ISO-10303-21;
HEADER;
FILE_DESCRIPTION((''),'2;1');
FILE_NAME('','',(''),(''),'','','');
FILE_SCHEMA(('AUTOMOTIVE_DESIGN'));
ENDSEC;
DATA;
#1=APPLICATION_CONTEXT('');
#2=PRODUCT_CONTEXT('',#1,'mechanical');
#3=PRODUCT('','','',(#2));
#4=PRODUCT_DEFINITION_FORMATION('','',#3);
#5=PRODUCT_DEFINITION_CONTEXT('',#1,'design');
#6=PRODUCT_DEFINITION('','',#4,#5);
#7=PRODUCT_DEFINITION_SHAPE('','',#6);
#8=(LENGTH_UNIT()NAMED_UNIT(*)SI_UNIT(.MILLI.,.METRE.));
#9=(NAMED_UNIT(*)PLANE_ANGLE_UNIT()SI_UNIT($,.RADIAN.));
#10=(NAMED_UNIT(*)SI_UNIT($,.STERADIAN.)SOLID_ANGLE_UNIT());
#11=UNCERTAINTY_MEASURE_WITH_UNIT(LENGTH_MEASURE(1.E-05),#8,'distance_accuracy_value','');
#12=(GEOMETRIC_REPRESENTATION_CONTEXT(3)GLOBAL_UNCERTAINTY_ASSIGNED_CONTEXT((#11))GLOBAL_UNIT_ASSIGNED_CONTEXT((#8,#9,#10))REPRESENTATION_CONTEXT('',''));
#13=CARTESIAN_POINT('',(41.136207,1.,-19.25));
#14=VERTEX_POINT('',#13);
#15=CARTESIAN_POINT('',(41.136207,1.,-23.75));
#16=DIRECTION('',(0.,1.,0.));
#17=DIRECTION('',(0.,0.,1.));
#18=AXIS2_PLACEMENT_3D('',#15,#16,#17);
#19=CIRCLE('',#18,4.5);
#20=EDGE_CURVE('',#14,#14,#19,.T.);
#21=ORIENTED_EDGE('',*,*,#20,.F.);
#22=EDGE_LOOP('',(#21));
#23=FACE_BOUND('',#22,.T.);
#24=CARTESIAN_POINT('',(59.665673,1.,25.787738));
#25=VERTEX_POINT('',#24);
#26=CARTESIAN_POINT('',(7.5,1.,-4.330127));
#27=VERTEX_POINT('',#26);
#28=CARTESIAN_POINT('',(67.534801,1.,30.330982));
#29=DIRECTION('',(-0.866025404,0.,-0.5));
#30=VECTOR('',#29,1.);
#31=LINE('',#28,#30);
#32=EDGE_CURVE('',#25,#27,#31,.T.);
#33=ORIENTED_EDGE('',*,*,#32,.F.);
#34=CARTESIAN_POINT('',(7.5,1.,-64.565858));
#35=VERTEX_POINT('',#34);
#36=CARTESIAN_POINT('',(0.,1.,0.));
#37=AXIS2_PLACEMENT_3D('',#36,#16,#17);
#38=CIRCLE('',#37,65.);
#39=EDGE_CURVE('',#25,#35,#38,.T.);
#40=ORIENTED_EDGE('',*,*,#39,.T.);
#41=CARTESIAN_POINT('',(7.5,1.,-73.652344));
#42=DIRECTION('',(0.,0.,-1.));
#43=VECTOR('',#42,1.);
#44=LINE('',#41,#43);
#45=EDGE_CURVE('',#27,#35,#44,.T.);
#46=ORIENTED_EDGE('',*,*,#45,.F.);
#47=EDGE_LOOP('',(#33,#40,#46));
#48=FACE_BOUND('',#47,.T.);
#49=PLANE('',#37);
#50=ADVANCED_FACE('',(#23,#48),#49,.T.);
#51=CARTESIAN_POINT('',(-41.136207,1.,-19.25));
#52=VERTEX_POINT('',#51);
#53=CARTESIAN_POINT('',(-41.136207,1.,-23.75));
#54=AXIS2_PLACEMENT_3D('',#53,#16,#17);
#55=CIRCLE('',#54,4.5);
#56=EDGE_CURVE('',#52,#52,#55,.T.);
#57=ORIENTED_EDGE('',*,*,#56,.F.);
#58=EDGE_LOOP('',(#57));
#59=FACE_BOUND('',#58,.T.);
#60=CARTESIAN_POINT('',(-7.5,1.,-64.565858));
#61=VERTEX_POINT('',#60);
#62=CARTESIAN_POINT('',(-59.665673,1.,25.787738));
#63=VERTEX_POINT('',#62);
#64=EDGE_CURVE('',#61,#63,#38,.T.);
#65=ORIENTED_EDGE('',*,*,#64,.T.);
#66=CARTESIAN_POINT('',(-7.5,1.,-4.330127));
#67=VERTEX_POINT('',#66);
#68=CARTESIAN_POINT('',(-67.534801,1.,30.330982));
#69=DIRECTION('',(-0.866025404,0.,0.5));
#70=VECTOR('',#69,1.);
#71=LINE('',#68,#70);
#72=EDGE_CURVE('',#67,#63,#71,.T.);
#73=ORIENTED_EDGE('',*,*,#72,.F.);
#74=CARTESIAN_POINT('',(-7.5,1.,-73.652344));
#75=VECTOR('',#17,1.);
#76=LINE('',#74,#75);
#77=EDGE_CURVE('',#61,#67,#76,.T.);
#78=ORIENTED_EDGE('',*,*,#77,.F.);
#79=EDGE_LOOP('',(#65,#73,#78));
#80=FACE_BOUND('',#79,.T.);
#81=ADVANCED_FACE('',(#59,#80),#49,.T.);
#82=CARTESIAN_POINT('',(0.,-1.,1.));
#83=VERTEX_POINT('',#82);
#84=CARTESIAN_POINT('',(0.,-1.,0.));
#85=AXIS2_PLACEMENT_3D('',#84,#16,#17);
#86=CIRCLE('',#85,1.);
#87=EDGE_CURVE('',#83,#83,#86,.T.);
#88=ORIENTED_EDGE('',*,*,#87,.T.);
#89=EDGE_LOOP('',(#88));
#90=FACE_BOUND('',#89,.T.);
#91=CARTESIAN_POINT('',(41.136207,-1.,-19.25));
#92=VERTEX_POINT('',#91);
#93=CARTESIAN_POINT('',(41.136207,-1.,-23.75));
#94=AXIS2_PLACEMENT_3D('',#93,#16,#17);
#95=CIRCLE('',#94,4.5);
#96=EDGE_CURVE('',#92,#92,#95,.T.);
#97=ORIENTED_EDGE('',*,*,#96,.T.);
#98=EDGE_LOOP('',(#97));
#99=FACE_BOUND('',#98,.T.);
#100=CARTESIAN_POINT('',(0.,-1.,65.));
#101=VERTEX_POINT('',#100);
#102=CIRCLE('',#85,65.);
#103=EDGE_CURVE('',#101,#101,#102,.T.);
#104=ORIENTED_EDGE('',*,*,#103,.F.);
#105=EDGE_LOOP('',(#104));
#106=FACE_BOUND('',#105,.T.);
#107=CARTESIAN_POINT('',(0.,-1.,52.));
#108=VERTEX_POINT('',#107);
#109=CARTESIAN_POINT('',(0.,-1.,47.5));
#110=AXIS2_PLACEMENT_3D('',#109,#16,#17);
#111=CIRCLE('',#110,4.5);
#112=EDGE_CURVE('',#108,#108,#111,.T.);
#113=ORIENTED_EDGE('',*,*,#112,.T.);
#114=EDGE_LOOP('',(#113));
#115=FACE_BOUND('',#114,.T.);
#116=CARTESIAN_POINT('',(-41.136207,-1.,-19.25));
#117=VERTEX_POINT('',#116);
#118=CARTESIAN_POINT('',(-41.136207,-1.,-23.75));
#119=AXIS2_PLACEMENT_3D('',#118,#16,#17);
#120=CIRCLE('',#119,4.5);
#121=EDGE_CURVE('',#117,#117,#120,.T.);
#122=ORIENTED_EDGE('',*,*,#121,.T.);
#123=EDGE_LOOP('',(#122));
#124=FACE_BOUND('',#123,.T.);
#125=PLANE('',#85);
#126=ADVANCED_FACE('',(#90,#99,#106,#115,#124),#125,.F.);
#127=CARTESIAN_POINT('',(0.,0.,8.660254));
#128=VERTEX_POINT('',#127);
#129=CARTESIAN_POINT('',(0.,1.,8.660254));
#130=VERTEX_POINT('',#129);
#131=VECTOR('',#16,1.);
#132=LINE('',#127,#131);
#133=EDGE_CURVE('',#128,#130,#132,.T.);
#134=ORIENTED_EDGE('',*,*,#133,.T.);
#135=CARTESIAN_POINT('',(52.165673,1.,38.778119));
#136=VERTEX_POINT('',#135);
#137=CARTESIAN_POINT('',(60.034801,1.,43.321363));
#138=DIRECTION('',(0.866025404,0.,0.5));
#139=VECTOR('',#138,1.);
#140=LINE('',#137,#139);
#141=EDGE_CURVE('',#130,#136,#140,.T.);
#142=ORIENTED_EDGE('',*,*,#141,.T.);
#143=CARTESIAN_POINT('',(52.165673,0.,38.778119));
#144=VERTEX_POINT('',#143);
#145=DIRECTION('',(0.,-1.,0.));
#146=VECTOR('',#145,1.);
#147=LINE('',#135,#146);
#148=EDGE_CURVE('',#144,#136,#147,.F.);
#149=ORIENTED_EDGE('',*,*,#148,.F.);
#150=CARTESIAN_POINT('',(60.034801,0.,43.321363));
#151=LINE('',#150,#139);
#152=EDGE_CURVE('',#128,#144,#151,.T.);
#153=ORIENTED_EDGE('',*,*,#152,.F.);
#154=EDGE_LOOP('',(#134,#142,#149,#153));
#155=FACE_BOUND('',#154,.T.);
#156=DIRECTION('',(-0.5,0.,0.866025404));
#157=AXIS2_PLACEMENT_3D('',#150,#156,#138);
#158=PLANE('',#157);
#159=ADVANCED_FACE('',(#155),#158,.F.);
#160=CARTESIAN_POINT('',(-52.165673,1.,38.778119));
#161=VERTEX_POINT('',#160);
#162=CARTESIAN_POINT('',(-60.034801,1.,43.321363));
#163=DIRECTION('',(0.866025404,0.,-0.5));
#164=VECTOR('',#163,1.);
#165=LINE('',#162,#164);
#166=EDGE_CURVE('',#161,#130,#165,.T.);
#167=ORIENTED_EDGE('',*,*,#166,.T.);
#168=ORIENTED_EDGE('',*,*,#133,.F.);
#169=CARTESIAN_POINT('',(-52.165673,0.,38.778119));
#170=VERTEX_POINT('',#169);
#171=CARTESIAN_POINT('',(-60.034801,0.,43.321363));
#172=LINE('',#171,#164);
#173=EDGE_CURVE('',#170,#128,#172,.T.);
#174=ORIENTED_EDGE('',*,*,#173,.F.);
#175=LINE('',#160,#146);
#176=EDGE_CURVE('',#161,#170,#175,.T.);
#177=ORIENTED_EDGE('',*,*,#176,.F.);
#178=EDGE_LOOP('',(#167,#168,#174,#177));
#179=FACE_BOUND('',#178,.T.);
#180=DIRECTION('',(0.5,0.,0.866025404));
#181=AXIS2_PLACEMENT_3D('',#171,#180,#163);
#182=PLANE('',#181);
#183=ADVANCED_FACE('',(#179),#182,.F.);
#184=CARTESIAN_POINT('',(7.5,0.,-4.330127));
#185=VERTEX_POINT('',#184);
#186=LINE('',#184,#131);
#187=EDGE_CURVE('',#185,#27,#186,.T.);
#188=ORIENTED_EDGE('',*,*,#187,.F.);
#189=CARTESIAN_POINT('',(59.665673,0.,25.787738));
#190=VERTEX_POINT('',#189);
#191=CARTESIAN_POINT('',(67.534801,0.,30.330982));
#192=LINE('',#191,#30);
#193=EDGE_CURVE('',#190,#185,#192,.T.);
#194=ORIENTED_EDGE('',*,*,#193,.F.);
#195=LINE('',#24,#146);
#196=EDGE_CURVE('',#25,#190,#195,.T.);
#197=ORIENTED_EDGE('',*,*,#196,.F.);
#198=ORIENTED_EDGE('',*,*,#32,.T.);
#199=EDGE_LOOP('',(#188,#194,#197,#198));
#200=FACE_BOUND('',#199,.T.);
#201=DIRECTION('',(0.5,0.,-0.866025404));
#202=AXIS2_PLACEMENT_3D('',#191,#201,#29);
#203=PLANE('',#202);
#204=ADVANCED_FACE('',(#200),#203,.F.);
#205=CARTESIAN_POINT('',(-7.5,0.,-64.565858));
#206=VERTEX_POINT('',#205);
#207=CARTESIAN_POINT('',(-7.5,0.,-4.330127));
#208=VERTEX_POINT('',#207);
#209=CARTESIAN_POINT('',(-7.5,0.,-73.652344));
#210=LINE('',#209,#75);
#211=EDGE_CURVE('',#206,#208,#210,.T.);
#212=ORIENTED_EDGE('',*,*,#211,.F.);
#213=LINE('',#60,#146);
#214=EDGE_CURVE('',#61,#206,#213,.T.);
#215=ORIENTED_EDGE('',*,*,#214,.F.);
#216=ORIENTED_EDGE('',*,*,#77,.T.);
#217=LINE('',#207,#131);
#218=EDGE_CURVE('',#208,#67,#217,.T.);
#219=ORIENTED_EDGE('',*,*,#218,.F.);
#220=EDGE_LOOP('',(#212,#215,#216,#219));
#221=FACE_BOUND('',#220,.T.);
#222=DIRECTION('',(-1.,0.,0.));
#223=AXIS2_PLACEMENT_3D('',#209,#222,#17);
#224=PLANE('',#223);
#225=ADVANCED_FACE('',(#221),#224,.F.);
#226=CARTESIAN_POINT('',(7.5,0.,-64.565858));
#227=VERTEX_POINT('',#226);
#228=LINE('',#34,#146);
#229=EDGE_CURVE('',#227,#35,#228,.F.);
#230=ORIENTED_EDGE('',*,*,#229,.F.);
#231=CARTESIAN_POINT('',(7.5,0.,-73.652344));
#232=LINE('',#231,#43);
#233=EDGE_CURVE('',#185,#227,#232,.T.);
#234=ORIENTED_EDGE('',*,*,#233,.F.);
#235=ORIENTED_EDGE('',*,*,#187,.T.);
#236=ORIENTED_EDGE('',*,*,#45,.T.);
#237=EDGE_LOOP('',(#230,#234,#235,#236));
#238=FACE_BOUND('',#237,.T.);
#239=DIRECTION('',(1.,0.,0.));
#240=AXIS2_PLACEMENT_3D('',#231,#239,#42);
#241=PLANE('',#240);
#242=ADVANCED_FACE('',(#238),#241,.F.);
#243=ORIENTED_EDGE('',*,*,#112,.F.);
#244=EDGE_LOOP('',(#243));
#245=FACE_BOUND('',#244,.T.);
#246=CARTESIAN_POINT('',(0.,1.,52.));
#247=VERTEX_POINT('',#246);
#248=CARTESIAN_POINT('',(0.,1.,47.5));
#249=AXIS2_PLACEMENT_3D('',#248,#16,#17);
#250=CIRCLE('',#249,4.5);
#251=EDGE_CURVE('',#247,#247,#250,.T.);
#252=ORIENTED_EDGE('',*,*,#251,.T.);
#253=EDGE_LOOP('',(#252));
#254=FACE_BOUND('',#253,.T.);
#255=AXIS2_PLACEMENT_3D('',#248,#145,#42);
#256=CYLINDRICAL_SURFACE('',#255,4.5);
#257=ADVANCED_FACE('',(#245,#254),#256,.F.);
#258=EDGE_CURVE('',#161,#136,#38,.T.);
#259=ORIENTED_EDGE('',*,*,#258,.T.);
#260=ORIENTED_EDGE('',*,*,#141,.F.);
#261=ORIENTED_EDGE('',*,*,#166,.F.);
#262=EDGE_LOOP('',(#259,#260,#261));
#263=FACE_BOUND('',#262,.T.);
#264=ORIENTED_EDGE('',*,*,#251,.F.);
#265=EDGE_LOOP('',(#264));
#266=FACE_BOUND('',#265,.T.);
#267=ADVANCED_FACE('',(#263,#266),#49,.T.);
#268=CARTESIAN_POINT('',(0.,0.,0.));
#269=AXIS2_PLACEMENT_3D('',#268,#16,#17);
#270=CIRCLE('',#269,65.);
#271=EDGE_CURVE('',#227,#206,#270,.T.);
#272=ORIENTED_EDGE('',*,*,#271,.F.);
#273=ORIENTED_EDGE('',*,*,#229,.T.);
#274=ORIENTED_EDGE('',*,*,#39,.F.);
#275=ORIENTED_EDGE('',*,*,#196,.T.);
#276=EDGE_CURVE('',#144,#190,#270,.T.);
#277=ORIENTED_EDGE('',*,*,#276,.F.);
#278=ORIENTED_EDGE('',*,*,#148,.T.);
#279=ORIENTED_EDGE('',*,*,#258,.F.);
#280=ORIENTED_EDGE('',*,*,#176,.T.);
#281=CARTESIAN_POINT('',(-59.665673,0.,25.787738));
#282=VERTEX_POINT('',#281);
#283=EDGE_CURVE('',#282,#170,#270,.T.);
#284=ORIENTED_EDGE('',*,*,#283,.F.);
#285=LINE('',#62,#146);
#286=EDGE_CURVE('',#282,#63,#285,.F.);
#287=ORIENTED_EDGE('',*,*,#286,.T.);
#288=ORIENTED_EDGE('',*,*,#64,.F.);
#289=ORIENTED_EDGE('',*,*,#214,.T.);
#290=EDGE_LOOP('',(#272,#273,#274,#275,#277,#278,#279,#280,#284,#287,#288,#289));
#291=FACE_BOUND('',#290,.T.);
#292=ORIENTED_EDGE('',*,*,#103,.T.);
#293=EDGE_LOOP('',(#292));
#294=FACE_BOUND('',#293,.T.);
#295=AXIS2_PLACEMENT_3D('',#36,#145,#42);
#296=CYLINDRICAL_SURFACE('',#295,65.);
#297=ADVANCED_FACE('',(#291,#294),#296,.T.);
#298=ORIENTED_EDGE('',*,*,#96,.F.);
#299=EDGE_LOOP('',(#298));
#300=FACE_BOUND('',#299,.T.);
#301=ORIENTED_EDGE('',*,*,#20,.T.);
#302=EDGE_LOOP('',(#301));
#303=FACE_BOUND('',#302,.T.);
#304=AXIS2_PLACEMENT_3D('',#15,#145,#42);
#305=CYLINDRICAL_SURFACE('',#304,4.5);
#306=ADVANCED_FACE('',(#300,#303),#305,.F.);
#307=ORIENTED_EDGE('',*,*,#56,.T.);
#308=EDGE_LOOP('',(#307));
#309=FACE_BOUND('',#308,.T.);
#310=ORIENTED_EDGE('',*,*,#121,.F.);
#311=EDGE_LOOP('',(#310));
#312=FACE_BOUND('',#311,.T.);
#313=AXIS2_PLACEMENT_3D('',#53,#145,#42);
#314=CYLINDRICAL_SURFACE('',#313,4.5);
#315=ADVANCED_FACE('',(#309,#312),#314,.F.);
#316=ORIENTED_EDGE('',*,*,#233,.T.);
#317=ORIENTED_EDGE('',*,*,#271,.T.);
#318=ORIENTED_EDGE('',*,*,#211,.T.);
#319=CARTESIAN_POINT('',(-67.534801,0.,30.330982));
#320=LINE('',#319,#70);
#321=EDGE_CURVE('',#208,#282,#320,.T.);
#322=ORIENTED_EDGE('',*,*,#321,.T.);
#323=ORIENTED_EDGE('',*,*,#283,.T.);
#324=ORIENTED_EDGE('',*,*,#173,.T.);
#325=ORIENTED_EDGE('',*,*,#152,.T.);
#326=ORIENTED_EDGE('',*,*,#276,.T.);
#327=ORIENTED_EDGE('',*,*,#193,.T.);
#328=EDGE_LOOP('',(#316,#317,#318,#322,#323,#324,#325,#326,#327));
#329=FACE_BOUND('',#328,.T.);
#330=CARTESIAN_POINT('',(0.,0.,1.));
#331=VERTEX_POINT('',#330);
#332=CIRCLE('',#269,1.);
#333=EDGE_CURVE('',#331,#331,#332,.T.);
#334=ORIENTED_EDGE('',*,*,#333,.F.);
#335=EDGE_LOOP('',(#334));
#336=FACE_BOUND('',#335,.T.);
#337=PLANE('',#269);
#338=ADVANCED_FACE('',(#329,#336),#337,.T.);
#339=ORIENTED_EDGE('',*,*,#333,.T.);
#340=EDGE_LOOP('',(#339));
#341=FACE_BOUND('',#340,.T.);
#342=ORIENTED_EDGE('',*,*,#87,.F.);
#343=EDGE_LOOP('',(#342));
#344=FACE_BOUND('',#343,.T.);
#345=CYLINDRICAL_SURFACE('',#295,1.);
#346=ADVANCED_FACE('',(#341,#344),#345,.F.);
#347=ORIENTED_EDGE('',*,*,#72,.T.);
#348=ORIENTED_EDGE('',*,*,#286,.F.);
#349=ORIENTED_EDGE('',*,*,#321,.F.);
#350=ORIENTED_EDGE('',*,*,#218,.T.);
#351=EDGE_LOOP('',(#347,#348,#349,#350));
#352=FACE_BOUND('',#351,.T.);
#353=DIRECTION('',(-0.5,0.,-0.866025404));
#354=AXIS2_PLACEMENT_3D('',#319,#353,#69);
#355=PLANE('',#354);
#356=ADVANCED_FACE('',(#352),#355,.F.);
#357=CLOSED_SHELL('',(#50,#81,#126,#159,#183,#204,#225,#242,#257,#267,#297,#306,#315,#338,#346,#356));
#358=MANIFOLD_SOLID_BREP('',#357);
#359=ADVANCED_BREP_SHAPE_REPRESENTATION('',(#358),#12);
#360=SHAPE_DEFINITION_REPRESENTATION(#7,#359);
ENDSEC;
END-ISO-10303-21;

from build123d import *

# Parameters (mm, degrees)
SKETCH1_R               = 65
SKETCH1_R_2             = 1
BOSS_EXTRUDE1_DEPTH     = 1
CUT_EXTRUDE1_DEPTH      = 1
CUT_EXTRUDE2_DEPTH      = 1
CUT_EXTRUDE2_DEPTH_BACK = 92.929320676
SKETCH3_R               = 4.5


with BuildPart() as part:
    # Sketch1 → Boss-Extrude1 (new, symmetric)
    with BuildSketch(Plane(origin=(0, 0, 0), x_dir=(1, 0, 0), z_dir=(0, 1, 0))):
        Circle(SKETCH1_R)
        Circle(SKETCH1_R_2, mode=Mode.SUBTRACT)
    extrude(amount=BOSS_EXTRUDE1_DEPTH, both=True)

    # Sketch2 → Cut-Extrude1 (cut)
    with BuildSketch(Plane(origin=(0, 1, 0), x_dir=(1, 0, 0), z_dir=(0, 1, 0))):
        Polygon((67.534801337, -30.330981694), (7.5, 4.330127019), (7.5, 73.652344444), (-7.5, 73.652344444), (-7.5, 4.330127019), (-67.534801337, -30.330981694), (-60.034801337, -43.32136275), (0, -8.660254038), (60.034801337, -43.32136275), align=None)
    extrude(amount=-CUT_EXTRUDE1_DEPTH, mode=Mode.SUBTRACT)

    # Sketch3 → Cut-Extrude2 (cut, two sides: drawn at the far end of the back side and taken through both)
    with BuildSketch(Plane(origin=(0, 0, 0), x_dir=(1, 0, 0), z_dir=(0, 1, 0)).offset(-CUT_EXTRUDE2_DEPTH_BACK)):
        with Locations((41.13620668, 23.75)):
            Circle(SKETCH3_R)
        with Locations((0, -47.5)):
            Circle(SKETCH3_R)
        with Locations((-41.13620668, 23.75)):
            Circle(SKETCH3_R)
    extrude(amount=CUT_EXTRUDE2_DEPTH + CUT_EXTRUDE2_DEPTH_BACK, mode=Mode.SUBTRACT)


solid = part.part
